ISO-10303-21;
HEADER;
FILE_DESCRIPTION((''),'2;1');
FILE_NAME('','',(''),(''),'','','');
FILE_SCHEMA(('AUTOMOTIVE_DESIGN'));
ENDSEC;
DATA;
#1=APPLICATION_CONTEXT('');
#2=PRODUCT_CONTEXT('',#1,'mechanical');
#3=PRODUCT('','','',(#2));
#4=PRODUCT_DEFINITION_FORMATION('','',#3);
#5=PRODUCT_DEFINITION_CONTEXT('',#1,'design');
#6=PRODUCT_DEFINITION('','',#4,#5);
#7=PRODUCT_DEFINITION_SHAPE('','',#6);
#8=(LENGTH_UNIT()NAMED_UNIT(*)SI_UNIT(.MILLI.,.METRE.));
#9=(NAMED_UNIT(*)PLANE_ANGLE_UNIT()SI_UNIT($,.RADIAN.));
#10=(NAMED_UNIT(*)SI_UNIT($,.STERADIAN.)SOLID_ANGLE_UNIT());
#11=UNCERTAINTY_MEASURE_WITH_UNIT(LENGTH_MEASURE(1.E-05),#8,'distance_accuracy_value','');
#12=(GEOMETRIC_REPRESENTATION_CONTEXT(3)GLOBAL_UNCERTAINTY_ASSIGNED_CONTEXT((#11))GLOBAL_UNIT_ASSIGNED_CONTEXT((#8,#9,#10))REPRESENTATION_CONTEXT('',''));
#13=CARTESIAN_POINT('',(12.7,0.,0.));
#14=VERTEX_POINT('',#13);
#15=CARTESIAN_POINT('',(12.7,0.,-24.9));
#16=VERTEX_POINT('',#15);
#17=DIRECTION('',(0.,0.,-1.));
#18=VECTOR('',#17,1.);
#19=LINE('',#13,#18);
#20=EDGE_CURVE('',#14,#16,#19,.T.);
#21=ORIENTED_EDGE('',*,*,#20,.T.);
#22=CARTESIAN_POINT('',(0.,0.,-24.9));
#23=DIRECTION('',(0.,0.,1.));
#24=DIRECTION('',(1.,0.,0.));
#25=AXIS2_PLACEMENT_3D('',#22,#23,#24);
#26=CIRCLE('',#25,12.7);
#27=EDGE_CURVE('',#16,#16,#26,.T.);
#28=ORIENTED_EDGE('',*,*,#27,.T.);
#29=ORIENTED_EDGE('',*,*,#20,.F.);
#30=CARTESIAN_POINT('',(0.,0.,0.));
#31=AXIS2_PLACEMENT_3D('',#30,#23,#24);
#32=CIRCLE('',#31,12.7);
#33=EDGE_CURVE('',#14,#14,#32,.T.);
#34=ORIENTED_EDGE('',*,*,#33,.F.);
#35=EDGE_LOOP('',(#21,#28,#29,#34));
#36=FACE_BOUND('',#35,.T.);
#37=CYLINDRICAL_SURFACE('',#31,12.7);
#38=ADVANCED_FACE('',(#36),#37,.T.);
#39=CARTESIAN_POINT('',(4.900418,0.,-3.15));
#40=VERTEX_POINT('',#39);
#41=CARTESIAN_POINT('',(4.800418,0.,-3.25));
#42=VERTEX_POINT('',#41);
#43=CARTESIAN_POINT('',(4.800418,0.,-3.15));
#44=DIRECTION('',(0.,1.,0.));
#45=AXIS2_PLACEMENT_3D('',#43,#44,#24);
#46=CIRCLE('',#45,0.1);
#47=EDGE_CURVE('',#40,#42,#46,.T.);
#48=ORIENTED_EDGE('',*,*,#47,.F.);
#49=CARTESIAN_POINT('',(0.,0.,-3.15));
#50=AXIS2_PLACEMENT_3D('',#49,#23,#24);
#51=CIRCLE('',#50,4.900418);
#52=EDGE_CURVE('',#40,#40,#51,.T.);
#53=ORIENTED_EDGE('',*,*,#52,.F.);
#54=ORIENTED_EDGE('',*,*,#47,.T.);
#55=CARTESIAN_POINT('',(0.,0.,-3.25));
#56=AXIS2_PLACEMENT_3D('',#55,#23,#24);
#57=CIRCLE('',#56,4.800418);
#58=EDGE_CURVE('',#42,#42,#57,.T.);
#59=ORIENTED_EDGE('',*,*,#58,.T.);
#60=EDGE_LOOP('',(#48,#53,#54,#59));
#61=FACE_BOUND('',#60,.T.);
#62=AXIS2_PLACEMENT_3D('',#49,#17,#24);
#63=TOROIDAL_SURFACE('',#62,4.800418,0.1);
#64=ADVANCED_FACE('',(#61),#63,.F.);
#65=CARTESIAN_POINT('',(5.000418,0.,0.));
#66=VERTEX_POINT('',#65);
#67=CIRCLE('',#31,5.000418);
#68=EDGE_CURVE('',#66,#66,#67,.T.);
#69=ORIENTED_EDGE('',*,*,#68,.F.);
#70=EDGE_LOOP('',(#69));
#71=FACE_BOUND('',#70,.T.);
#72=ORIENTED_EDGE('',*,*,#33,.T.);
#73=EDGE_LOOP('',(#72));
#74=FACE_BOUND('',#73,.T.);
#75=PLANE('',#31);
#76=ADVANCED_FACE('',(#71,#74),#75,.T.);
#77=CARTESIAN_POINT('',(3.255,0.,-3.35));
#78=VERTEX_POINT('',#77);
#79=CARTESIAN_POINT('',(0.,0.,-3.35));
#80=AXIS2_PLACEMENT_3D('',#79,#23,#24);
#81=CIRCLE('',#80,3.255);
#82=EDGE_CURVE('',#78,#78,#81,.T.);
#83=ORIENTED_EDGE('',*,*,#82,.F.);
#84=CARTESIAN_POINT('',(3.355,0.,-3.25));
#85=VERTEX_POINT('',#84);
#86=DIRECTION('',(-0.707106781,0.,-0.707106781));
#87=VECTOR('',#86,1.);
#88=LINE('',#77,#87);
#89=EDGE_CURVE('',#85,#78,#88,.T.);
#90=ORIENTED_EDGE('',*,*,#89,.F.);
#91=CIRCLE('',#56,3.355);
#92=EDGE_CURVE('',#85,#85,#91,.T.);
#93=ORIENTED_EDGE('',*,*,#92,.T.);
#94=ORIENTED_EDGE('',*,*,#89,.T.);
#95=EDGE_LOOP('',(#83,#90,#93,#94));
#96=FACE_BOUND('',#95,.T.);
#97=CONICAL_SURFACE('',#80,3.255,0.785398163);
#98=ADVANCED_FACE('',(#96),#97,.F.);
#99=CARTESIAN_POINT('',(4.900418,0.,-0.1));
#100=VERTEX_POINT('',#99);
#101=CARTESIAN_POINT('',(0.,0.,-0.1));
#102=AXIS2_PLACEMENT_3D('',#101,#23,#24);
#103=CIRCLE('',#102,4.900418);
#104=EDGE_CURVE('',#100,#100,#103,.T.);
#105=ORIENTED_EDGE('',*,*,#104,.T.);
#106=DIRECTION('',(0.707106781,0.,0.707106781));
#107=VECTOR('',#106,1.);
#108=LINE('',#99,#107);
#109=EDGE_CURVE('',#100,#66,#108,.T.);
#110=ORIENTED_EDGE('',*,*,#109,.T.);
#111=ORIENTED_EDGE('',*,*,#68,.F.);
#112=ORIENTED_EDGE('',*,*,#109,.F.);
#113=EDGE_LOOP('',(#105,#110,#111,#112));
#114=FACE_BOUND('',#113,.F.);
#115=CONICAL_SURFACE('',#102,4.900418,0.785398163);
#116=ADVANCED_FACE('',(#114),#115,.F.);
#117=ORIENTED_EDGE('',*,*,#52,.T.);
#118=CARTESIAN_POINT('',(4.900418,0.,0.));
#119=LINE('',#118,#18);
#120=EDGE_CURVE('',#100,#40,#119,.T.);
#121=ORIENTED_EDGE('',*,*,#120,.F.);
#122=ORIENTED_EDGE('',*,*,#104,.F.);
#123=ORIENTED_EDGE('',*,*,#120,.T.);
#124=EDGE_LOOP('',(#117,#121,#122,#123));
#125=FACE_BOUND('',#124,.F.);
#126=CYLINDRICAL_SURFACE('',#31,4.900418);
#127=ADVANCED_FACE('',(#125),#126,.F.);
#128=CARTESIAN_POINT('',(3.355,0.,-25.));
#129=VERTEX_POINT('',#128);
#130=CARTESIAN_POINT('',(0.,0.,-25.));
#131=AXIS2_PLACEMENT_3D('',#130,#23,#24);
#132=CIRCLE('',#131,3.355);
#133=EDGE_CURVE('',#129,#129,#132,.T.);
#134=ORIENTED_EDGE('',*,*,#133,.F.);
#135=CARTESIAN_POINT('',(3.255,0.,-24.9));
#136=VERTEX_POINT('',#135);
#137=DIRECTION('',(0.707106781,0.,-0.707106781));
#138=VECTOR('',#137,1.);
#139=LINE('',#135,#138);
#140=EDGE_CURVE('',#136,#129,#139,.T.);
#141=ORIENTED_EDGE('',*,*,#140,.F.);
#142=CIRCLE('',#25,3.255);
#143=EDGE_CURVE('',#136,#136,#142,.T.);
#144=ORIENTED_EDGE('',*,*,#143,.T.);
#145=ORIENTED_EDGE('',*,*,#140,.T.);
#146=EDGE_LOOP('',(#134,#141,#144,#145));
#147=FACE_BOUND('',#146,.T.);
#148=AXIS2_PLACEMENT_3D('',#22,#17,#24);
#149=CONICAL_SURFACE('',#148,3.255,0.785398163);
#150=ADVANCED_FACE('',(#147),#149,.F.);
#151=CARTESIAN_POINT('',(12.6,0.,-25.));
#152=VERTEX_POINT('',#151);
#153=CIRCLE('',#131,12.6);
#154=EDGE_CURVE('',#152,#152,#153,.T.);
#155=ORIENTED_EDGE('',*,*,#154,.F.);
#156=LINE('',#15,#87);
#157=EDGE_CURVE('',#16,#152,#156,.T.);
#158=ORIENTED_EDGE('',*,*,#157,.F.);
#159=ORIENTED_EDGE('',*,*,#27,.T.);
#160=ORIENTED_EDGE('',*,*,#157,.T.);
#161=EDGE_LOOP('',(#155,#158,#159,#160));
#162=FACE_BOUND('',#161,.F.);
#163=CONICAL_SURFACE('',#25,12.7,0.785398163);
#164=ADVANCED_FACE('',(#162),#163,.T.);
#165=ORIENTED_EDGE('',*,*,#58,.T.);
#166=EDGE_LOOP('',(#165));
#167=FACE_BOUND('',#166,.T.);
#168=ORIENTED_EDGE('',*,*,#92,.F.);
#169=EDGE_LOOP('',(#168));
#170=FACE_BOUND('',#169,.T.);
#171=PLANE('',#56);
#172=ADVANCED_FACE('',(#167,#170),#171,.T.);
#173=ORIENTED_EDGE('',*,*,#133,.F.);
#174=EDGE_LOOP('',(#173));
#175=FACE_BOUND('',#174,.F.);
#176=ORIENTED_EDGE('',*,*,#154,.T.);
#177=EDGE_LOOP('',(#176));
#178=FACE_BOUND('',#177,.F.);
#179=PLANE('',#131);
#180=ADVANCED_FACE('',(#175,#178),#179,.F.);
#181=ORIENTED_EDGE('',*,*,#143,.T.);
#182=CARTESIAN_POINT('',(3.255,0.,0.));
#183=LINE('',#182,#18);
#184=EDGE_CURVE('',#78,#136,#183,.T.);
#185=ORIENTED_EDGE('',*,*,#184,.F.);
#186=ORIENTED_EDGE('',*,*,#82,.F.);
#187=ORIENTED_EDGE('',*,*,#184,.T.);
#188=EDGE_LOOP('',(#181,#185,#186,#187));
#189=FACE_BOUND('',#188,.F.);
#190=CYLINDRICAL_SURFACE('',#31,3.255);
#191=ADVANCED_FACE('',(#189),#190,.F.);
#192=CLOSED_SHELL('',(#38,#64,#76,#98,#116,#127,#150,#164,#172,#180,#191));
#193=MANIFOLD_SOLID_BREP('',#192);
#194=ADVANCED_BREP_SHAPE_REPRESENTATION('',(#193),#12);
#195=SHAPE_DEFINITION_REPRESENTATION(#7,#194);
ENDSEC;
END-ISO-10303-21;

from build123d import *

# Parameters (mm, degrees)
F0_R     = 12.7
F0_R_2   = 3.255
F1_DEPTH = 25
F2_R     = 4.900418
F3_DEPTH = 3.25
F4_R     = 0.1
F5_SIZE  = 0.1


with BuildPart() as f1:
    # F0 (on Top) → F1 (new body)
    with BuildSketch(Plane.XY):
        Circle(F0_R)
        Circle(F0_R_2, mode=Mode.SUBTRACT)
    extrude(amount=-F1_DEPTH)

    # F2 (on face) → F3 (cut)
    with BuildSketch(Plane.XY):
        Circle(F2_R)
    extrude(amount=-F3_DEPTH, mode=Mode.SUBTRACT)

    # F4
    f4_edges = [f1.edges().sort_by_distance(p)[0] for p in [
        (-4.900418, 0, -3.25),
    ]]
    fillet(f4_edges, radius=F4_R)

    # F5
    f5_edges = [f1.edges().sort_by_distance(p)[0] for p in [
        (-3.255, 0, -3.25),
        (-4.900418, 0, 0),
        (-3.255, 0, -25),
        (-12.7, 0, -25),
    ]]
    chamfer(f5_edges, length=F5_SIZE)


solid = f1.part
